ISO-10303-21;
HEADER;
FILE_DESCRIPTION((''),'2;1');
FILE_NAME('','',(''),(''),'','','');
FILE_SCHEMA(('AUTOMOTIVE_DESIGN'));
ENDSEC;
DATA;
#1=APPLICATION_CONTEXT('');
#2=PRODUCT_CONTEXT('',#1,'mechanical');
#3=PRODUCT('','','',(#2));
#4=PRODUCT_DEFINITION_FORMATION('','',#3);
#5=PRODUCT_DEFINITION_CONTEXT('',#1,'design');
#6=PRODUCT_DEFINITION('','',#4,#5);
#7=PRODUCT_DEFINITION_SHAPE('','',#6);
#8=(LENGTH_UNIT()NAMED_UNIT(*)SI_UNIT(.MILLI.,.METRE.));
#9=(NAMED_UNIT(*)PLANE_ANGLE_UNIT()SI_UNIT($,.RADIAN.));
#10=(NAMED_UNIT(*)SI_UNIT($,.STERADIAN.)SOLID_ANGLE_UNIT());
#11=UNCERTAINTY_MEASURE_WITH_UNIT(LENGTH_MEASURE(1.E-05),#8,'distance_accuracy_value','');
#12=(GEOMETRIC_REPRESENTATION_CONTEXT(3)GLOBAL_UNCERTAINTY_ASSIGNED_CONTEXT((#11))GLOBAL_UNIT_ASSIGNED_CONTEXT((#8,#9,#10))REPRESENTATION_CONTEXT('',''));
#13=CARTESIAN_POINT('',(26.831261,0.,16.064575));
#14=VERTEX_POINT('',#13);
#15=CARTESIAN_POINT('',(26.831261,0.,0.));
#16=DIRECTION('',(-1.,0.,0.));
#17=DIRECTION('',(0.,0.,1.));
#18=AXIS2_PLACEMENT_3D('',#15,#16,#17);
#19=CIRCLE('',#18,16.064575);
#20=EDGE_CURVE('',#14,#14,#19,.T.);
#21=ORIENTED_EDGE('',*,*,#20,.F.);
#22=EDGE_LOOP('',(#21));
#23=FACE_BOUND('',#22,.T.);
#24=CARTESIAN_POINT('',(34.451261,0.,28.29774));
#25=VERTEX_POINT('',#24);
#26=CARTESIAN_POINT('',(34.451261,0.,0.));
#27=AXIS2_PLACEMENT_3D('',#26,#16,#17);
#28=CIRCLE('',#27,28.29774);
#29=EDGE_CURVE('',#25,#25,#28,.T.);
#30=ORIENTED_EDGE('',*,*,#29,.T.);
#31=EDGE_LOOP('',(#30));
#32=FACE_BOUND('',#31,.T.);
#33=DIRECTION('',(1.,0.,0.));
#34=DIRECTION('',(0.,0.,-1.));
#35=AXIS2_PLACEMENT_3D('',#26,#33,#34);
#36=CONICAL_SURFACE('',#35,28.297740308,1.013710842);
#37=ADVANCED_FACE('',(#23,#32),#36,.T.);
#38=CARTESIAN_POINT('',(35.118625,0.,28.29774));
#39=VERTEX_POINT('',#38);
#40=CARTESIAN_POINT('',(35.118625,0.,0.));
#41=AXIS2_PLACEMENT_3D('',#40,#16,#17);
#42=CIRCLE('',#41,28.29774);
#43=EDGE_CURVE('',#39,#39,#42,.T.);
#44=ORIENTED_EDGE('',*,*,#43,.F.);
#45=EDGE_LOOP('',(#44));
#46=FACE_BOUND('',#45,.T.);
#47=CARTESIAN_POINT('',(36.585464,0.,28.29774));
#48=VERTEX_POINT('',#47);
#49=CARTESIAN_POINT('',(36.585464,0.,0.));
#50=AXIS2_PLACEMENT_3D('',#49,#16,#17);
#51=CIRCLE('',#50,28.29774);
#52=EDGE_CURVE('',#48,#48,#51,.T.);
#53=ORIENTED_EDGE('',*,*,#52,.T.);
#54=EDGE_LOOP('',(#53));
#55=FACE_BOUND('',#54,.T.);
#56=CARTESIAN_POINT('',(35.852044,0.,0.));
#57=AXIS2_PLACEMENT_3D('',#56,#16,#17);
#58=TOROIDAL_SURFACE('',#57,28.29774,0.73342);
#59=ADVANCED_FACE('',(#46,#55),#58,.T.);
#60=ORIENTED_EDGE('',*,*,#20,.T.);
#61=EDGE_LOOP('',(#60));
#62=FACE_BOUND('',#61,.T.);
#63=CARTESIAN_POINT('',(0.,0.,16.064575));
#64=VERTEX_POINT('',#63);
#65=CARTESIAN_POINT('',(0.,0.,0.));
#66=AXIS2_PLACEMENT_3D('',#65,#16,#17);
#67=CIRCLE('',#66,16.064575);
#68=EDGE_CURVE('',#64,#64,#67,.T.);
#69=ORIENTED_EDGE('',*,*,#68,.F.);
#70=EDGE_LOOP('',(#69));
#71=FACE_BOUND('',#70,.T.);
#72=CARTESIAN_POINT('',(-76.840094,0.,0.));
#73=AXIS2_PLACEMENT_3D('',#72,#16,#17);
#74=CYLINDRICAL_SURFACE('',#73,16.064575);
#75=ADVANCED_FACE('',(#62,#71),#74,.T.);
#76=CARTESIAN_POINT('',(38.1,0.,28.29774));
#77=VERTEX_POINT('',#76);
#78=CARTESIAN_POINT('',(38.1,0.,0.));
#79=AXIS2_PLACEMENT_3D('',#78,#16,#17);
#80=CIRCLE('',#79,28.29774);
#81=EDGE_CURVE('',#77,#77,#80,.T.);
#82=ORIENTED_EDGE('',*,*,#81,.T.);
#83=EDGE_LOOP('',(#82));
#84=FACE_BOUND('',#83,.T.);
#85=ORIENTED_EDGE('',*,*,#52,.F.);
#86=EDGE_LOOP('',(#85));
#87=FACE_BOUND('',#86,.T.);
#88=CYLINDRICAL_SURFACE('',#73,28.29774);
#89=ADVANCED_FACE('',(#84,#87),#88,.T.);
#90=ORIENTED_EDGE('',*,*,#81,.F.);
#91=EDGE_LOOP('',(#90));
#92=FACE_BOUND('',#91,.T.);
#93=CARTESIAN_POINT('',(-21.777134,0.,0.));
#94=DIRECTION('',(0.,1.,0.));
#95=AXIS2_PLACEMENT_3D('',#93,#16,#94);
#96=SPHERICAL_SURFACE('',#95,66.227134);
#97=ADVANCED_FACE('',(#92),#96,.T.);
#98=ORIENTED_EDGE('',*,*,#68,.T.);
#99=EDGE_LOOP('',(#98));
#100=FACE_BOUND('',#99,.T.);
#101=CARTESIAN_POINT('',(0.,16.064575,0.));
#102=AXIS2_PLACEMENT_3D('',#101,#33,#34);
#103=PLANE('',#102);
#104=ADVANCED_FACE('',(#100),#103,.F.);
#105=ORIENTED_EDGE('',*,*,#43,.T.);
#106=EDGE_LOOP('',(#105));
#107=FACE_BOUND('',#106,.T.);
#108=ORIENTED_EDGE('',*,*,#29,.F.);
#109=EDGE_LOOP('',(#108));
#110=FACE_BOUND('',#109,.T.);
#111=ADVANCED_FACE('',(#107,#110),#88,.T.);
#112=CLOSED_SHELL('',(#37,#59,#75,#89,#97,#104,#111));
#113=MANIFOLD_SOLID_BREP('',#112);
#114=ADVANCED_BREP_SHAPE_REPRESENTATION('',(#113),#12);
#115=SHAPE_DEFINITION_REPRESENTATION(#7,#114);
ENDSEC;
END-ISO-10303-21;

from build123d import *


with BuildPart() as part:
    # Sketch1 → Revolve4 (revolve)
    with BuildSketch(Plane.XY, mode=Mode.PRIVATE) as revolve4_sk:
        with BuildLine():
            Line((38.1, 0), (38.1, 28.297740308))
            Line((38.1, 28.297740308), (36.585463954, 28.297740308))
            ThreePointArc((36.585463954, 28.297740308), (35.85204428, 29.031159981), (35.118624607, 28.297740308))
            Line((35.118624607, 28.297740308), (34.45126123, 28.297740308))
            Line((34.45126123, 28.297740308), (26.83126123, 16.064574588))
            Line((26.83126123, 16.064574588), (0, 16.064574588))
            Line((0, 16.064574588), (0, 0))
            Line((0, 0), (38.1, 0))
        make_face()
    revolve(revolve4_sk.sketch.rotate(Axis((-76.840094259, 0, 0), (1, 0, 0)), 90), axis=Axis((-76.840094259, 0, 0), (1, 0, 0)))

    # Sketch11 → Revolve7 (revolve)
    with BuildSketch(Plane.XY):
        with BuildLine():
            Line((38.1, 28.297740308), (38.1, 0))
            Line((38.1, 0), (44.45, 0))
            ThreePointArc((44.45, 0), (42.843003167, 14.500729348), (38.1, 28.297740308))
        make_face()
    revolve(axis=Axis((38.1, 0, 0), (1, 0, 0)))


solid = part.part
